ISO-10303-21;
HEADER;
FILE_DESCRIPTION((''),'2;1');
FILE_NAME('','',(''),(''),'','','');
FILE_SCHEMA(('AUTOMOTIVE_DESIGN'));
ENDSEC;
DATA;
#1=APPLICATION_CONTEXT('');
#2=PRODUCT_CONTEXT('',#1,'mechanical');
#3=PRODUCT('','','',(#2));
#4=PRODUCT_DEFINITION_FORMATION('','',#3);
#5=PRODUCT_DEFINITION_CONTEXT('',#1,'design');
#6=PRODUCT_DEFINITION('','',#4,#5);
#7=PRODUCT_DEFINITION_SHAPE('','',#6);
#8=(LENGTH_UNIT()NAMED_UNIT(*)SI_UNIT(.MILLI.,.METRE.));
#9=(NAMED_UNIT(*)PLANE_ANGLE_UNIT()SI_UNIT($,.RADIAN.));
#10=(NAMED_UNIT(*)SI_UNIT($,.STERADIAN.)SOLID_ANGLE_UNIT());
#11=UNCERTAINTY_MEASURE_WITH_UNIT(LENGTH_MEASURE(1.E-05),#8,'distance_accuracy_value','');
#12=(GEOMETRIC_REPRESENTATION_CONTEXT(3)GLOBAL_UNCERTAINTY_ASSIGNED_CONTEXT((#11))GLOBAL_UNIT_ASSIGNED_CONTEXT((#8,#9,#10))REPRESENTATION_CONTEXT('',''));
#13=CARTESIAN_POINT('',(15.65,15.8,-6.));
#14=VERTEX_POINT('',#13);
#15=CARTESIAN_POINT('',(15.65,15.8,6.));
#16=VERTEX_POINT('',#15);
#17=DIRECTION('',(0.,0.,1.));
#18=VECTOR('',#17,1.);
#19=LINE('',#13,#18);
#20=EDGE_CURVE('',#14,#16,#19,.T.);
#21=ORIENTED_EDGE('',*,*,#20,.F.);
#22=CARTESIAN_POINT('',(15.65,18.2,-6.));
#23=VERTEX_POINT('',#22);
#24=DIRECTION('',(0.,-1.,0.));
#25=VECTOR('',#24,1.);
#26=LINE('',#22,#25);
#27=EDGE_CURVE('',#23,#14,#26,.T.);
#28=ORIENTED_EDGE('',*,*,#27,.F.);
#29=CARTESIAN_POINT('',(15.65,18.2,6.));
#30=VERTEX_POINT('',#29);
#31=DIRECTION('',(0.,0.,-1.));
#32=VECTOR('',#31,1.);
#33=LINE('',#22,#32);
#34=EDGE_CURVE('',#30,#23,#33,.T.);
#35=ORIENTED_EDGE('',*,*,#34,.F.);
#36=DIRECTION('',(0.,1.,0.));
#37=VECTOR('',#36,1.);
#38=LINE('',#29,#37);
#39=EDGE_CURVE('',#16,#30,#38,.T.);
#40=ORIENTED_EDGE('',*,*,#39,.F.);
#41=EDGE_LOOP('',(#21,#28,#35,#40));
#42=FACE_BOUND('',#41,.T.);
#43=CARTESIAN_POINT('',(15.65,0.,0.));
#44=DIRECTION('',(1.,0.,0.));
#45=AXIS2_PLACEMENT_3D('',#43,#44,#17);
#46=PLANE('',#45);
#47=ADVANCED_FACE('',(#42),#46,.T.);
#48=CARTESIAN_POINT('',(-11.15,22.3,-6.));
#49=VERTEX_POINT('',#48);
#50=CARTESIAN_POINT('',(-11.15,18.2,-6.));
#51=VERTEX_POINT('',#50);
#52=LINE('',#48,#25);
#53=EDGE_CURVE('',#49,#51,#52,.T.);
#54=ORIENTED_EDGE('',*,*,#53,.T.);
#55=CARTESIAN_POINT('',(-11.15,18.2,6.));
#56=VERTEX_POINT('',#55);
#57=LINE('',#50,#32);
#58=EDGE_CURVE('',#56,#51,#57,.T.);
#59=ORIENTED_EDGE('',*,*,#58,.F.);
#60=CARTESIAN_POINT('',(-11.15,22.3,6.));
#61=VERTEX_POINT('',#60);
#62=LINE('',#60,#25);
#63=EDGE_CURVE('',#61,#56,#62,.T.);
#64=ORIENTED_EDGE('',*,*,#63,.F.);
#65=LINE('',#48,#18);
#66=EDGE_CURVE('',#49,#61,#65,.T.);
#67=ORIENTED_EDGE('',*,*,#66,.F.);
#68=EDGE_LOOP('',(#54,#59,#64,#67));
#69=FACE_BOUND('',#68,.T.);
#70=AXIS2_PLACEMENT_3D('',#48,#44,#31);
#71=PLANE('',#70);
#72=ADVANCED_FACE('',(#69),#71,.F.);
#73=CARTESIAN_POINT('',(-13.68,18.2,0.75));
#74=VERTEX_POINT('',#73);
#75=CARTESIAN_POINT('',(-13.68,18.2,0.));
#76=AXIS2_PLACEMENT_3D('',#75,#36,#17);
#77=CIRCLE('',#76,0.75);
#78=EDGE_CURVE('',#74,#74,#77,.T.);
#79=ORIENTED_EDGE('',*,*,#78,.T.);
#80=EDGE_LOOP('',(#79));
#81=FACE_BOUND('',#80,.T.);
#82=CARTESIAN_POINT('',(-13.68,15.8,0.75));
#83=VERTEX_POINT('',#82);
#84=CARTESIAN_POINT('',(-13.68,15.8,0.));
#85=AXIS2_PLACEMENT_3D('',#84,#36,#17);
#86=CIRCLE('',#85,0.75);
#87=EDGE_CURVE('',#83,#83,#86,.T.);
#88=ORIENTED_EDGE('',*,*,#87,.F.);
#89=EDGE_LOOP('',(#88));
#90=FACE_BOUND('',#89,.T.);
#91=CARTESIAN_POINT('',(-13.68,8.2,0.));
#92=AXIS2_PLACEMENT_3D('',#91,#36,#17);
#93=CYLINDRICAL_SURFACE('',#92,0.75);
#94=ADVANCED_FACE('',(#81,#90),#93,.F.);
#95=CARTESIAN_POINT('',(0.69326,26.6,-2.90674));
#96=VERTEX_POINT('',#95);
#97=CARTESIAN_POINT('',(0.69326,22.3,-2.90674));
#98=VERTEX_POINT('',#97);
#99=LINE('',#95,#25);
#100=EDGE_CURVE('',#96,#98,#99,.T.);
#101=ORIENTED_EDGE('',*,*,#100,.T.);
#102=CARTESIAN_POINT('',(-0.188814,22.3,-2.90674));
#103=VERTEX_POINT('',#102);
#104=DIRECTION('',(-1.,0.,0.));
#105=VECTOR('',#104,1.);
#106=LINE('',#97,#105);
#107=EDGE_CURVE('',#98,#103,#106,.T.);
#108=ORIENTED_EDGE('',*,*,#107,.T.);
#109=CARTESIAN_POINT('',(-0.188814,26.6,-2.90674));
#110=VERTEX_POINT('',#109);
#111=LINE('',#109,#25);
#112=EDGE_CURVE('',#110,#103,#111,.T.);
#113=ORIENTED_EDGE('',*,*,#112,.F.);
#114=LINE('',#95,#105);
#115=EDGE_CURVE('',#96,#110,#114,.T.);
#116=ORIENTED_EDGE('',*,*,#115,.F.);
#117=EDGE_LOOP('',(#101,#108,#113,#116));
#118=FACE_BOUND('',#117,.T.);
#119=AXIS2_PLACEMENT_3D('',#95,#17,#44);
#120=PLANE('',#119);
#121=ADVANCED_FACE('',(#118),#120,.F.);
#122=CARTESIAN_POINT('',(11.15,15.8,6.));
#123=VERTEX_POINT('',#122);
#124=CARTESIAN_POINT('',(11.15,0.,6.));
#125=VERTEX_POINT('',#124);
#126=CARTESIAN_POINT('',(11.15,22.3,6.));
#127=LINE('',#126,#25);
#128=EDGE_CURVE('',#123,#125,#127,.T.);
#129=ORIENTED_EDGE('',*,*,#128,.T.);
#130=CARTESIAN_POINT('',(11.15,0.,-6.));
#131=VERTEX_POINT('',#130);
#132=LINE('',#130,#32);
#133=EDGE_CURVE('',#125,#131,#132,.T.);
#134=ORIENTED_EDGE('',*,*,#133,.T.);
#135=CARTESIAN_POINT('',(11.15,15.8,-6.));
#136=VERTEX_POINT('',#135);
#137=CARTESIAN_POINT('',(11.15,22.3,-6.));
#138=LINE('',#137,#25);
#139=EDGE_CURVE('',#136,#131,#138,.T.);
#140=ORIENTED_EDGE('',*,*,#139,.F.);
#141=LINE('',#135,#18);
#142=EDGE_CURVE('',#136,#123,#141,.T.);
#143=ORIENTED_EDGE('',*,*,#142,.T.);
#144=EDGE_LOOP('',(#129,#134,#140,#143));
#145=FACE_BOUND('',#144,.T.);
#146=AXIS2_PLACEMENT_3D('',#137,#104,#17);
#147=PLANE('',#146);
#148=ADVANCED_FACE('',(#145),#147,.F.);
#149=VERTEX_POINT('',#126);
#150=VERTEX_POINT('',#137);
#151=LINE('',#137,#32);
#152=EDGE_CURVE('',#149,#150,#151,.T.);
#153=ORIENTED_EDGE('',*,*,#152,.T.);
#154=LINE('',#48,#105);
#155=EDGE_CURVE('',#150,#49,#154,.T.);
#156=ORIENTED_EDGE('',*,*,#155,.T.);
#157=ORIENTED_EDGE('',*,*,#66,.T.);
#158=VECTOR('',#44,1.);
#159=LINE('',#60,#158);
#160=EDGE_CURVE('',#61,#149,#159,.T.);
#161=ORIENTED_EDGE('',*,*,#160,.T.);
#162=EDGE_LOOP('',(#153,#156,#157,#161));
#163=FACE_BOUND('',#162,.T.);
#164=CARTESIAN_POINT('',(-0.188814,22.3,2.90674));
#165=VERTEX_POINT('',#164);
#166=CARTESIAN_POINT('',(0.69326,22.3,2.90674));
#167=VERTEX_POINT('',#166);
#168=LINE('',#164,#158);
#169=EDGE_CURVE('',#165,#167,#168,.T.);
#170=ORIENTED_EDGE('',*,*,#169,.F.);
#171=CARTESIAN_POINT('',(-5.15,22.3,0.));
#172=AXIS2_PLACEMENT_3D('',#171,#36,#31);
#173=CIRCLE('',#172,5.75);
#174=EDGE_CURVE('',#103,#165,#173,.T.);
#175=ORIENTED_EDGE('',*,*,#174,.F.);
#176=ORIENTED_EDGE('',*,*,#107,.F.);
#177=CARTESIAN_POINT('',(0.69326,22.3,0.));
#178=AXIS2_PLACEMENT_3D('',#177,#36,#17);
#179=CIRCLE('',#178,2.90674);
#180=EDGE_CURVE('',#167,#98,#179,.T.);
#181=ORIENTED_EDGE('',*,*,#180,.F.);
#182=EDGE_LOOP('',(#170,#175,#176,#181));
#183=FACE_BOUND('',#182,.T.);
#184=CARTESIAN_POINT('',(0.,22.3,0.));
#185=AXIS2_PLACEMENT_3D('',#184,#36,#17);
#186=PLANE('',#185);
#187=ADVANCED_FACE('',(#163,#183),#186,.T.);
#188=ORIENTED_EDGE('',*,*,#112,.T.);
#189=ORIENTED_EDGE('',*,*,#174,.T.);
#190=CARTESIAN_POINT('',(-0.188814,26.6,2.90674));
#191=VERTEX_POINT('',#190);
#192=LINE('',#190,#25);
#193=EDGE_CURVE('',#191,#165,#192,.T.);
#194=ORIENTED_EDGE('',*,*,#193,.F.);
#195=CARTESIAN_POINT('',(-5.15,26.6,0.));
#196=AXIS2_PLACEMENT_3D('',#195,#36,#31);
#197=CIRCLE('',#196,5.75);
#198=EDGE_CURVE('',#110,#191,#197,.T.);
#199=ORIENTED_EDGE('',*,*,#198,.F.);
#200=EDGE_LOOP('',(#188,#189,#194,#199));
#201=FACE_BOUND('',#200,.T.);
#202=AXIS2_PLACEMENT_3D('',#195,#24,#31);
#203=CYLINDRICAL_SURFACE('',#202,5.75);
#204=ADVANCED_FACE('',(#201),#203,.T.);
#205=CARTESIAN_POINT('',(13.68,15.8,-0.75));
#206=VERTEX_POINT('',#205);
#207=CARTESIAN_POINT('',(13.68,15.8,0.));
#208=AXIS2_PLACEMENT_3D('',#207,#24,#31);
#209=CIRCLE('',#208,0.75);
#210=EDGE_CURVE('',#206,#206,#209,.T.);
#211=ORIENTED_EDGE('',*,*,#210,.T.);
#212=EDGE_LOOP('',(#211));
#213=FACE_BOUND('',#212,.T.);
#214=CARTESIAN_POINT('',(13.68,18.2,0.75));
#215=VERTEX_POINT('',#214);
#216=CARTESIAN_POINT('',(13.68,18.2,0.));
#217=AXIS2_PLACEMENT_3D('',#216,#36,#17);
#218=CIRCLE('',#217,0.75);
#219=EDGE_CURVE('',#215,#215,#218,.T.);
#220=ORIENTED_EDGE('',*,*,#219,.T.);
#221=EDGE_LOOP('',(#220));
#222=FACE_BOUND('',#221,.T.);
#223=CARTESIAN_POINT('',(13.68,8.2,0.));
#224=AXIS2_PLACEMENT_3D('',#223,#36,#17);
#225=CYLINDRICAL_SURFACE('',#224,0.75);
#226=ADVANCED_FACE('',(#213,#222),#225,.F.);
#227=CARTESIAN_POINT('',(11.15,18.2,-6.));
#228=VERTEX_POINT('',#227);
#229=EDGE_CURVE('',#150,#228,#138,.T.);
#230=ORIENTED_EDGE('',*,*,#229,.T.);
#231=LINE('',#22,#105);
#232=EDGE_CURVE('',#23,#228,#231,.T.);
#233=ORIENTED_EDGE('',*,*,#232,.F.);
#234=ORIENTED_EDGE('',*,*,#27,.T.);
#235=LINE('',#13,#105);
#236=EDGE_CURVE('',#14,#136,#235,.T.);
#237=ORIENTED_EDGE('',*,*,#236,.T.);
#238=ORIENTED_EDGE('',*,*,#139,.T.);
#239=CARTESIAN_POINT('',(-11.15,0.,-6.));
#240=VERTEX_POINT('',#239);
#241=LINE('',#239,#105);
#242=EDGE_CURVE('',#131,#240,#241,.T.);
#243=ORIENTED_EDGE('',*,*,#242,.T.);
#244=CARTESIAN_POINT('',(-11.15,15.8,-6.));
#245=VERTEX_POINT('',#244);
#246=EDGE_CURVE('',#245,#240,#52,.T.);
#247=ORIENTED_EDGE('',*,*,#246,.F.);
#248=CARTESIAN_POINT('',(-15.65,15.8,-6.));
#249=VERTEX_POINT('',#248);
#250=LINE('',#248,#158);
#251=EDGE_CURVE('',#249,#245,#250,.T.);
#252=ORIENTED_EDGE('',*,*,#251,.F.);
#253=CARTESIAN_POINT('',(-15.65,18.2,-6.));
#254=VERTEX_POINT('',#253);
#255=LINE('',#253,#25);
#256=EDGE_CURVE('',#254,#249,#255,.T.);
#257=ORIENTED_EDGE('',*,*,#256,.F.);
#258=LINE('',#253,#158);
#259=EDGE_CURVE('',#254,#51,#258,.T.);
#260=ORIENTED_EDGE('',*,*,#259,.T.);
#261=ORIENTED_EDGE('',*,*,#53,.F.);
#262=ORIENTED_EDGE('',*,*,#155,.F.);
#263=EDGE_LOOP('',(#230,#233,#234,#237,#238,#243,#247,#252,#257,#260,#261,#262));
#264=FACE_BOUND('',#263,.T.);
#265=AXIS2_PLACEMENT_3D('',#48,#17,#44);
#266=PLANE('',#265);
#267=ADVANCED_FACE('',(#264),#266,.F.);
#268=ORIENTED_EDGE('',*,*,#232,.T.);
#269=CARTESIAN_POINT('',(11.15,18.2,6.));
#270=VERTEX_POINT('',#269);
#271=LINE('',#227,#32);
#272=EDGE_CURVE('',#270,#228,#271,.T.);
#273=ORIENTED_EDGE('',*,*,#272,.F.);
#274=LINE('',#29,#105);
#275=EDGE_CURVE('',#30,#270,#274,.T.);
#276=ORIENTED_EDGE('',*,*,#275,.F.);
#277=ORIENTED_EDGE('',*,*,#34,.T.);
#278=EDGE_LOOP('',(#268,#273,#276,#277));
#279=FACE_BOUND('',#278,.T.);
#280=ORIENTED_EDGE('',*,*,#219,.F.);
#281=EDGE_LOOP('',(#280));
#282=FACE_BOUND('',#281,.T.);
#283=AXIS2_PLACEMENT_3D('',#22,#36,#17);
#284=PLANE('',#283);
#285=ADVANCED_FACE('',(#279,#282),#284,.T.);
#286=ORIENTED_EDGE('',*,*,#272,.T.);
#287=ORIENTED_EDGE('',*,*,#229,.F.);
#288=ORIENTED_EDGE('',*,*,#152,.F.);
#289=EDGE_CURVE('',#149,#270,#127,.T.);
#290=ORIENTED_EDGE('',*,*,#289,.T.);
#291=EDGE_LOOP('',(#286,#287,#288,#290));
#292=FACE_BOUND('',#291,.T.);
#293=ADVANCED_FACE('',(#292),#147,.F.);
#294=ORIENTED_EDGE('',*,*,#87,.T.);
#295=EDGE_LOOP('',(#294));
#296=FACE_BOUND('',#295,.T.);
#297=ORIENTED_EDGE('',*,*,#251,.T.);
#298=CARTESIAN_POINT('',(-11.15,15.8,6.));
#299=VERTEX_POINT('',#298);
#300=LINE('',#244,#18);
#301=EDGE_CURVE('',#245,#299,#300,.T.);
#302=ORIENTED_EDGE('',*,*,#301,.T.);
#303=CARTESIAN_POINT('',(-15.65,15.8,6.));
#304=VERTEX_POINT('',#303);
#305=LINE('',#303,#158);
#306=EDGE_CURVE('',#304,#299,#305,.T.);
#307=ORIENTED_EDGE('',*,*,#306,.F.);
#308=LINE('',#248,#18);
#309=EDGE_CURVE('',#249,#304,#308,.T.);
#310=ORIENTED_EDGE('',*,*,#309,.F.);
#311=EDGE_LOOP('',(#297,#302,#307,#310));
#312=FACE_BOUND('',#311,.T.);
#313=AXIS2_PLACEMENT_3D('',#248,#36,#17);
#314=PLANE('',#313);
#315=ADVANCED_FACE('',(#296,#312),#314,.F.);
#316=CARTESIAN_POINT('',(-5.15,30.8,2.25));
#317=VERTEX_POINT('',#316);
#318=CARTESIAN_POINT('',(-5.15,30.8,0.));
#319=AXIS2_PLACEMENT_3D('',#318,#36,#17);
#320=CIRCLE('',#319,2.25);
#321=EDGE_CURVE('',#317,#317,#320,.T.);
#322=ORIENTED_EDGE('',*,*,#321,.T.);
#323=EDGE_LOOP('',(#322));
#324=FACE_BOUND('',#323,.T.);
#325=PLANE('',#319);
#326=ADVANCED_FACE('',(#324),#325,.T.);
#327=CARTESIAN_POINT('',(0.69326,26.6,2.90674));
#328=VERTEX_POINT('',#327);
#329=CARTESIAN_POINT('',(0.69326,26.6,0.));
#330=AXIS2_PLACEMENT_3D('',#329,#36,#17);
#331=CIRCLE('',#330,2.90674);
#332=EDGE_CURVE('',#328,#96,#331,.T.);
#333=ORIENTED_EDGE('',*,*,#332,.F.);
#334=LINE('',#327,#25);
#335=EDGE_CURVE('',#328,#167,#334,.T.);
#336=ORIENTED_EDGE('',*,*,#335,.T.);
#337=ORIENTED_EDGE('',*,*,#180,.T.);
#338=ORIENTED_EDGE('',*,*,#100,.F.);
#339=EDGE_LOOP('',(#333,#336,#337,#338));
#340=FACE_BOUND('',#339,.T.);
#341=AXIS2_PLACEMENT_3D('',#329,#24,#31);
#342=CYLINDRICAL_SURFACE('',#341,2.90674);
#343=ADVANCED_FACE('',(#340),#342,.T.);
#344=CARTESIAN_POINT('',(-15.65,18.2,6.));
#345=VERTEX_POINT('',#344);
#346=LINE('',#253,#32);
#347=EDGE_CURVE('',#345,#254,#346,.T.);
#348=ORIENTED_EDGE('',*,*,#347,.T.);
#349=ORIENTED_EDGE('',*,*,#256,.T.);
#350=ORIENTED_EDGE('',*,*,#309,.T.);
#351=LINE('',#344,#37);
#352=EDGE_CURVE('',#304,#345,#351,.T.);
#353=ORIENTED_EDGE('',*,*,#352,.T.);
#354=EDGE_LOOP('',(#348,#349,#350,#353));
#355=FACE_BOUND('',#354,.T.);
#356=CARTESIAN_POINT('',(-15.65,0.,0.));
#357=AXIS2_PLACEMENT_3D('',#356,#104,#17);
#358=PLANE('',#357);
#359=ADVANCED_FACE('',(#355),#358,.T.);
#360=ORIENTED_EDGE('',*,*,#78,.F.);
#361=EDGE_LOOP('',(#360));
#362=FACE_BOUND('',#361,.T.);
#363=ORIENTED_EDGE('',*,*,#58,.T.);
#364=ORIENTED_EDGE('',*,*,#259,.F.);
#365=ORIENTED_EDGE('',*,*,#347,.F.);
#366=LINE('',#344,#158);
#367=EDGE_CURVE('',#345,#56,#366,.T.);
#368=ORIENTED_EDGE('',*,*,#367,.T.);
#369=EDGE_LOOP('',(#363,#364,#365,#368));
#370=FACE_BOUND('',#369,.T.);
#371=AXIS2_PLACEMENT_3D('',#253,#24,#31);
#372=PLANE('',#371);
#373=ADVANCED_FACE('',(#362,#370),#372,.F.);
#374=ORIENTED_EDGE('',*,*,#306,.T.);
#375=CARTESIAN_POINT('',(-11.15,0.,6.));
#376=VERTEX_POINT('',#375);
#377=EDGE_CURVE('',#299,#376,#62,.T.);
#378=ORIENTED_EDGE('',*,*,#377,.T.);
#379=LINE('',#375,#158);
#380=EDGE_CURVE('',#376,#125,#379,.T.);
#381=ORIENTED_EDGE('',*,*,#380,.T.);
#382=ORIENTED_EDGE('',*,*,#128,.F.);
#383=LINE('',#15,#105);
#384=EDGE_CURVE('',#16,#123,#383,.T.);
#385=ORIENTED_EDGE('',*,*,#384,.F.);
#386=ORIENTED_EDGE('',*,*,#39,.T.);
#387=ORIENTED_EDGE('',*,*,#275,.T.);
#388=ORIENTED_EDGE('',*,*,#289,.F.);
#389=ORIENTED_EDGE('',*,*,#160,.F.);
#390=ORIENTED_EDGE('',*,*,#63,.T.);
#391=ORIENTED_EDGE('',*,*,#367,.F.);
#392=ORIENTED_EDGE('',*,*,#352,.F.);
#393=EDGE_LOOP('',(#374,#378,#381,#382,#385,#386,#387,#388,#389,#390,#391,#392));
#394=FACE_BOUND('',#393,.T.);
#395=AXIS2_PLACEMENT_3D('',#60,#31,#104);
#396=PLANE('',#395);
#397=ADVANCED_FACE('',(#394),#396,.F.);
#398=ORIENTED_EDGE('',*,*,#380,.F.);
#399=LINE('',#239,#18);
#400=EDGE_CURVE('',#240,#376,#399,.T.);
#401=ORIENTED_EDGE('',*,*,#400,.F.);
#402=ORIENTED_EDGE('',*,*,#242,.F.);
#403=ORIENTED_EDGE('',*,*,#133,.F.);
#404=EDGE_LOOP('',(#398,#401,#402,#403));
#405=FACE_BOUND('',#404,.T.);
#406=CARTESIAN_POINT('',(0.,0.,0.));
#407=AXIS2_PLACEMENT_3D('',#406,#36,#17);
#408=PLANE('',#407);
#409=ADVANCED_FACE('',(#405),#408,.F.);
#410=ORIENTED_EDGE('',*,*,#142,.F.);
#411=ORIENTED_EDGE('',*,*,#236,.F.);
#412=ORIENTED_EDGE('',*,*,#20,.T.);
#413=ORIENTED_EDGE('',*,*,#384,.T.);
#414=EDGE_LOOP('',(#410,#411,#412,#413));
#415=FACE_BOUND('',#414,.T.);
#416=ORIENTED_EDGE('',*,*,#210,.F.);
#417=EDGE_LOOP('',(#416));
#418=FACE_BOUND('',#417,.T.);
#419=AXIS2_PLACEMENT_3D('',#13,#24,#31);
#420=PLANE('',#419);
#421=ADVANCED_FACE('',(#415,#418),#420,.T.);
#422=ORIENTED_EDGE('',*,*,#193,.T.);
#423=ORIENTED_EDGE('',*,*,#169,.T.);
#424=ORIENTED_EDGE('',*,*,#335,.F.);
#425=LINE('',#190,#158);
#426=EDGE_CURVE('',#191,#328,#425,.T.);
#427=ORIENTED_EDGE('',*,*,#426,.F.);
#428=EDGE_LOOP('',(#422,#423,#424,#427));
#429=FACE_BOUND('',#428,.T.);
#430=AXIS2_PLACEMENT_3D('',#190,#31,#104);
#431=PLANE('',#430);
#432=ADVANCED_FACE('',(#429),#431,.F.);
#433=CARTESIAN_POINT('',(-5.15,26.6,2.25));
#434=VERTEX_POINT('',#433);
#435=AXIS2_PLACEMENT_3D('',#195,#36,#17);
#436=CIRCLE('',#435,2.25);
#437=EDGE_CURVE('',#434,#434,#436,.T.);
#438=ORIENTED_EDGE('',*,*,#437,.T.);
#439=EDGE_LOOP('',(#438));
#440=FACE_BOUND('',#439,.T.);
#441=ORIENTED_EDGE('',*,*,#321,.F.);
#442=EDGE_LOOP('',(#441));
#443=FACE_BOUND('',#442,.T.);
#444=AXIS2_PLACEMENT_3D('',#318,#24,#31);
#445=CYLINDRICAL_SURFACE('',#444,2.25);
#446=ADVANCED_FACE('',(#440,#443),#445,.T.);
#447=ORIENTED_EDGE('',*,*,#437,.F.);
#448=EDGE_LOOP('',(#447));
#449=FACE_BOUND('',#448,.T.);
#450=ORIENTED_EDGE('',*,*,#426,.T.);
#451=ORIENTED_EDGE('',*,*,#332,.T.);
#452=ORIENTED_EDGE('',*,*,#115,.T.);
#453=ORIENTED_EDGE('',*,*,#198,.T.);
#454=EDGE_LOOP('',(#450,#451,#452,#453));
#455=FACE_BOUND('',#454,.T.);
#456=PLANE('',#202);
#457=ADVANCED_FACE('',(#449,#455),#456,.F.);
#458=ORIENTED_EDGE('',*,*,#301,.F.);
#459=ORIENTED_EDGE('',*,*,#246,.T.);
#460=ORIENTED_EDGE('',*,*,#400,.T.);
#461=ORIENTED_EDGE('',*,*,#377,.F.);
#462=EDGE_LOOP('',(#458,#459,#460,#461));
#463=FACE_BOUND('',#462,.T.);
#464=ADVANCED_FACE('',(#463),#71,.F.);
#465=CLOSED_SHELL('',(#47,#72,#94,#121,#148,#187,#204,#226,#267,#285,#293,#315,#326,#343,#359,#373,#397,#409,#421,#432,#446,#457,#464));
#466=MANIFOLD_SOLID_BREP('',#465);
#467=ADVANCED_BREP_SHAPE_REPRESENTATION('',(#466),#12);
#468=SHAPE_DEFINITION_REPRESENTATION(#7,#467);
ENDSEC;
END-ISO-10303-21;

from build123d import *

# Parameters (mm, degrees)
SKETCH1_W           = 22.3
SKETCH1_H           = 12
BOSS_EXTRUDE1_DEPTH = 22.3
SKETCH2_W           = 12
SKETCH2_H           = 2.4
BOSS_EXTRUDE2_DEPTH = 4.5
EXTRUDE_1_DEPTH     = 4.3
SKETCH_1_R          = 0.75
CUT_EXTRUDE_1_DEPTH = 10
SKETCH_2_R          = 2.25
EXTRUDE_2_DEPTH     = 4.2


with BuildPart() as part:
    # Sketch1 → Boss-Extrude1 (new body)
    with BuildSketch(Plane(origin=(0, 0, 0), x_dir=(1, 0, 0), z_dir=(0, 1, 0))):
        Rectangle(SKETCH1_W, SKETCH1_H)
    extrude(amount=BOSS_EXTRUDE1_DEPTH)

    # Sketch2 → Boss-Extrude2 (add)
    with BuildSketch(Plane.ZY.offset(11.15)):
        with Locations((0, 17)):
            Rectangle(SKETCH2_W, SKETCH2_H)
    boss_extrude2 = extrude(amount=BOSS_EXTRUDE2_DEPTH)

    # 镜向1: Boss-Extrude2 across plane
    add(boss_extrude2.mirror(Plane(origin=(0, 0, 0), x_dir=(0, 0, 1), z_dir=(1, 0, 0))))

    # Sketch5 → 凸台-拉伸1 (add)
    with BuildSketch(Plane(origin=(0, 22.3, 0), x_dir=(1, 0, 0), z_dir=(0, 1, 0))):
        with BuildLine():
            Line((0.693260261, 2.906739739), (-0.188814246, 2.906739739))
            ThreePointArc((-0.188814246, 2.906739739), (-10.9, 0), (-0.188814246, -2.906739739))
            Line((-0.188814246, -2.906739739), (0.693260261, -2.906739739))
            ThreePointArc((0.693260261, -2.906739739), (3.6, 0), (0.693260261, 2.906739739))
        make_face()
    extrude(amount=EXTRUDE_1_DEPTH)

    # 草图1 → 切除-拉伸1 (cut)
    with BuildSketch(Plane(origin=(0, 18.2, 0), x_dir=(1, 0, 0), z_dir=(0, 1, 0))):
        with Locations(Location((-13.68, 0, 0), (0, 0, 270))):
            Circle(SKETCH_1_R)
        with Locations(Location((13.68, 0, 0), (0, 0, 270))):
            Circle(SKETCH_1_R)
    extrude(amount=-CUT_EXTRUDE_1_DEPTH, mode=Mode.SUBTRACT)

    # 草图2 → 凸台-拉伸2 (add)
    with BuildSketch(Plane(origin=(0, 26.6, 0), x_dir=(1, 0, 0), z_dir=(0, 1, 0))):
        with Locations(Location((-5.15, 0, 0), (0, 0, 270))):
            Circle(SKETCH_2_R)
    extrude(amount=EXTRUDE_2_DEPTH)


solid = part.part
